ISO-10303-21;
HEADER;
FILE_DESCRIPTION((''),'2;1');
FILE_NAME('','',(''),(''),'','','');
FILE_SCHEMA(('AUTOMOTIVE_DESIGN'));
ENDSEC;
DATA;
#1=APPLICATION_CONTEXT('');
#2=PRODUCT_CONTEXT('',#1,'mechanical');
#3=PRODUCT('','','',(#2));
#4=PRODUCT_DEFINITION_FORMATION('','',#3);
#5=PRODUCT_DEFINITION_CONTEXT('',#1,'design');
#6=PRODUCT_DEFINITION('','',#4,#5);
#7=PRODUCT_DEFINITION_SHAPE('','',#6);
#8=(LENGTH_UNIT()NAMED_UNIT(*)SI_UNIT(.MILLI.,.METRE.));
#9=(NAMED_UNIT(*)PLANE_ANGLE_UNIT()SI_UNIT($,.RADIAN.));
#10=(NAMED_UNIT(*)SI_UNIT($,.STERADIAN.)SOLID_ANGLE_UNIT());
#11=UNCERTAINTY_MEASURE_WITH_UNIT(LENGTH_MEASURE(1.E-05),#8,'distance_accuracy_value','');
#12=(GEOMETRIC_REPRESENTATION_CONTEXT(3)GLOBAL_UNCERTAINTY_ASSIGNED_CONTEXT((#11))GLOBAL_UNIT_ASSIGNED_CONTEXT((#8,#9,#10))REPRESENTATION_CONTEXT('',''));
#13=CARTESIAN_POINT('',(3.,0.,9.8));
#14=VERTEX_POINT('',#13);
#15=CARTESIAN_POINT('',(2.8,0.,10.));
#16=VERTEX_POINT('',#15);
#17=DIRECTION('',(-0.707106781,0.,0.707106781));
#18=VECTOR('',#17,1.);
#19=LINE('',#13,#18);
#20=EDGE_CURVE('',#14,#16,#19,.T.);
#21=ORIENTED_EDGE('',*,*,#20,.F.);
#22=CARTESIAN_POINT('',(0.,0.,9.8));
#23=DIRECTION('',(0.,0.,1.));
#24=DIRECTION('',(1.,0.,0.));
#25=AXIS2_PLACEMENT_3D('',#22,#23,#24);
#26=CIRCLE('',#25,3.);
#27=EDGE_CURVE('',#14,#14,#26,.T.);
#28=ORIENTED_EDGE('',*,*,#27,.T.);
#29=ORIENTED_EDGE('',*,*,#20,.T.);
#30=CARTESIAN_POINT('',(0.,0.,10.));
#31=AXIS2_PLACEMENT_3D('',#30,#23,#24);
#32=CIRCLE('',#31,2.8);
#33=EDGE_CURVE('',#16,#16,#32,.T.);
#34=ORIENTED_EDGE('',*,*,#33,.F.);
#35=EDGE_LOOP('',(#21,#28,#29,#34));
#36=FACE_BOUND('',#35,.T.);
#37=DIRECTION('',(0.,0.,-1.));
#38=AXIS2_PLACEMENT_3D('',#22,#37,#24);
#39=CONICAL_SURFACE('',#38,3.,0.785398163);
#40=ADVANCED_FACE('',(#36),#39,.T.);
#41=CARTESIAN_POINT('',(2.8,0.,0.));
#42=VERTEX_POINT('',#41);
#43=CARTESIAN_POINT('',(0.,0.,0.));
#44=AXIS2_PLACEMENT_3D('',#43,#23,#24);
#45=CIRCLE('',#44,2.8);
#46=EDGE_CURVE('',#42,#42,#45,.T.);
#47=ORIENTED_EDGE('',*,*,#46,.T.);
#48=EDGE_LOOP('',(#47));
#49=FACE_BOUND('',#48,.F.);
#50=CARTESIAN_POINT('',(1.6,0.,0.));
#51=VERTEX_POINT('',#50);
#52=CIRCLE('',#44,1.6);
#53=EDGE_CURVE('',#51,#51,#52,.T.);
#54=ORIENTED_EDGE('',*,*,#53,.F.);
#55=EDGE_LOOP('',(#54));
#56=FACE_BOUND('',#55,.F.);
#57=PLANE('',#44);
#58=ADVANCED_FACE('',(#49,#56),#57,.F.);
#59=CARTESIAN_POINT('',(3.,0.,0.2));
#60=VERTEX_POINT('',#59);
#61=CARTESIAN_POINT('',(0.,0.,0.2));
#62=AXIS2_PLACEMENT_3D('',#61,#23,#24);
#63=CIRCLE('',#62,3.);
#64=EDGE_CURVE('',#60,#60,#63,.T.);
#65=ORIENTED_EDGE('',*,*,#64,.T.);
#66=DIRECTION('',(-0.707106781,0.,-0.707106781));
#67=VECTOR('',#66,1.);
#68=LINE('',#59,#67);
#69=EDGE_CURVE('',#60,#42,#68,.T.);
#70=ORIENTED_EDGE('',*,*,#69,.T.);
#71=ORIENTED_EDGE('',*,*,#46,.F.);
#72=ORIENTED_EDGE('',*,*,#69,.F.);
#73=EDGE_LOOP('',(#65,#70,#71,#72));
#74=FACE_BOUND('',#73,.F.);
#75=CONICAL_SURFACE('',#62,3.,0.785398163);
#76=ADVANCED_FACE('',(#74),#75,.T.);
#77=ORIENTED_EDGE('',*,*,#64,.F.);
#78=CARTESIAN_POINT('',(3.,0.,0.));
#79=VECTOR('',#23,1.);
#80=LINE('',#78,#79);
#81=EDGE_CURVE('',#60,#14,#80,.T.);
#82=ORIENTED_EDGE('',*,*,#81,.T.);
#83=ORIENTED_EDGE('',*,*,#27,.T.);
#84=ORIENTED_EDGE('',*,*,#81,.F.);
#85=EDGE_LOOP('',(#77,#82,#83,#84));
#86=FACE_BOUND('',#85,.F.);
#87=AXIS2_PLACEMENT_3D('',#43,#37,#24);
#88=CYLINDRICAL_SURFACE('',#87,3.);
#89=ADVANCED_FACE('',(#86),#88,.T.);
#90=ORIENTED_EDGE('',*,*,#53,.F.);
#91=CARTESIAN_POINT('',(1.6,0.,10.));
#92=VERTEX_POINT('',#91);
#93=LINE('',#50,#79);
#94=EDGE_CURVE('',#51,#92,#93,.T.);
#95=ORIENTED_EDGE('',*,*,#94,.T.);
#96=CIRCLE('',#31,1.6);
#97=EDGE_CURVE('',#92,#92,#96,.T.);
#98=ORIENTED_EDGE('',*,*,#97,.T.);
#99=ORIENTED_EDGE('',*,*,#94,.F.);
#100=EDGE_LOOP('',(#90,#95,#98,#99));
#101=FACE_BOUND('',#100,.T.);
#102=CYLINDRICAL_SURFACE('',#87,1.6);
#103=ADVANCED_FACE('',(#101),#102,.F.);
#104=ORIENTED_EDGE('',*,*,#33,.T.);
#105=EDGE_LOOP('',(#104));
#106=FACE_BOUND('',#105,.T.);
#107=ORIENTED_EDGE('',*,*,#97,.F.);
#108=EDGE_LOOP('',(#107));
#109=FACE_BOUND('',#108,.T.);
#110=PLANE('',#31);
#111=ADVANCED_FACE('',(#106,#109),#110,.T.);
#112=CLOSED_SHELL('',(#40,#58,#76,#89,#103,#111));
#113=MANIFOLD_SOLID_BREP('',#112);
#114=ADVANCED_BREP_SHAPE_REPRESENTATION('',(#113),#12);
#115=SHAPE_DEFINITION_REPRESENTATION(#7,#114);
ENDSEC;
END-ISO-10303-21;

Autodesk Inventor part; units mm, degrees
ref_plane "YZ Plane" through (0, 0, 0) normal (1, 0, 0) x (0, 1, 0)
ref_plane "XZ Plane" through (0, 0, 0) normal (0, 1, 0) x (-1, 0, 0)
ref_plane "XY Plane" through (0, 0, 0) normal (0, 0, 1) x (1, 0, 0)
sketch "スケッチ1" plane through (0, 0, 0) normal (0, 0, 1) x (1, 0, 0)
  circle A0 centre (0, 0) radius 1.6
  circle A1 centre (0, 0) radius 3
  dimension "d0" = 3.2
  dimension "d1" = 6
extrude "押し出し1" add sketch "スケッチ1" along normal blind 10
chamfer "面取り1" distance 0.2 angle 45 2 edges at (-3, 0, 10) (-3, 0, 0)
properties part number "軸_6-10" material "アルミニウム 6061"
